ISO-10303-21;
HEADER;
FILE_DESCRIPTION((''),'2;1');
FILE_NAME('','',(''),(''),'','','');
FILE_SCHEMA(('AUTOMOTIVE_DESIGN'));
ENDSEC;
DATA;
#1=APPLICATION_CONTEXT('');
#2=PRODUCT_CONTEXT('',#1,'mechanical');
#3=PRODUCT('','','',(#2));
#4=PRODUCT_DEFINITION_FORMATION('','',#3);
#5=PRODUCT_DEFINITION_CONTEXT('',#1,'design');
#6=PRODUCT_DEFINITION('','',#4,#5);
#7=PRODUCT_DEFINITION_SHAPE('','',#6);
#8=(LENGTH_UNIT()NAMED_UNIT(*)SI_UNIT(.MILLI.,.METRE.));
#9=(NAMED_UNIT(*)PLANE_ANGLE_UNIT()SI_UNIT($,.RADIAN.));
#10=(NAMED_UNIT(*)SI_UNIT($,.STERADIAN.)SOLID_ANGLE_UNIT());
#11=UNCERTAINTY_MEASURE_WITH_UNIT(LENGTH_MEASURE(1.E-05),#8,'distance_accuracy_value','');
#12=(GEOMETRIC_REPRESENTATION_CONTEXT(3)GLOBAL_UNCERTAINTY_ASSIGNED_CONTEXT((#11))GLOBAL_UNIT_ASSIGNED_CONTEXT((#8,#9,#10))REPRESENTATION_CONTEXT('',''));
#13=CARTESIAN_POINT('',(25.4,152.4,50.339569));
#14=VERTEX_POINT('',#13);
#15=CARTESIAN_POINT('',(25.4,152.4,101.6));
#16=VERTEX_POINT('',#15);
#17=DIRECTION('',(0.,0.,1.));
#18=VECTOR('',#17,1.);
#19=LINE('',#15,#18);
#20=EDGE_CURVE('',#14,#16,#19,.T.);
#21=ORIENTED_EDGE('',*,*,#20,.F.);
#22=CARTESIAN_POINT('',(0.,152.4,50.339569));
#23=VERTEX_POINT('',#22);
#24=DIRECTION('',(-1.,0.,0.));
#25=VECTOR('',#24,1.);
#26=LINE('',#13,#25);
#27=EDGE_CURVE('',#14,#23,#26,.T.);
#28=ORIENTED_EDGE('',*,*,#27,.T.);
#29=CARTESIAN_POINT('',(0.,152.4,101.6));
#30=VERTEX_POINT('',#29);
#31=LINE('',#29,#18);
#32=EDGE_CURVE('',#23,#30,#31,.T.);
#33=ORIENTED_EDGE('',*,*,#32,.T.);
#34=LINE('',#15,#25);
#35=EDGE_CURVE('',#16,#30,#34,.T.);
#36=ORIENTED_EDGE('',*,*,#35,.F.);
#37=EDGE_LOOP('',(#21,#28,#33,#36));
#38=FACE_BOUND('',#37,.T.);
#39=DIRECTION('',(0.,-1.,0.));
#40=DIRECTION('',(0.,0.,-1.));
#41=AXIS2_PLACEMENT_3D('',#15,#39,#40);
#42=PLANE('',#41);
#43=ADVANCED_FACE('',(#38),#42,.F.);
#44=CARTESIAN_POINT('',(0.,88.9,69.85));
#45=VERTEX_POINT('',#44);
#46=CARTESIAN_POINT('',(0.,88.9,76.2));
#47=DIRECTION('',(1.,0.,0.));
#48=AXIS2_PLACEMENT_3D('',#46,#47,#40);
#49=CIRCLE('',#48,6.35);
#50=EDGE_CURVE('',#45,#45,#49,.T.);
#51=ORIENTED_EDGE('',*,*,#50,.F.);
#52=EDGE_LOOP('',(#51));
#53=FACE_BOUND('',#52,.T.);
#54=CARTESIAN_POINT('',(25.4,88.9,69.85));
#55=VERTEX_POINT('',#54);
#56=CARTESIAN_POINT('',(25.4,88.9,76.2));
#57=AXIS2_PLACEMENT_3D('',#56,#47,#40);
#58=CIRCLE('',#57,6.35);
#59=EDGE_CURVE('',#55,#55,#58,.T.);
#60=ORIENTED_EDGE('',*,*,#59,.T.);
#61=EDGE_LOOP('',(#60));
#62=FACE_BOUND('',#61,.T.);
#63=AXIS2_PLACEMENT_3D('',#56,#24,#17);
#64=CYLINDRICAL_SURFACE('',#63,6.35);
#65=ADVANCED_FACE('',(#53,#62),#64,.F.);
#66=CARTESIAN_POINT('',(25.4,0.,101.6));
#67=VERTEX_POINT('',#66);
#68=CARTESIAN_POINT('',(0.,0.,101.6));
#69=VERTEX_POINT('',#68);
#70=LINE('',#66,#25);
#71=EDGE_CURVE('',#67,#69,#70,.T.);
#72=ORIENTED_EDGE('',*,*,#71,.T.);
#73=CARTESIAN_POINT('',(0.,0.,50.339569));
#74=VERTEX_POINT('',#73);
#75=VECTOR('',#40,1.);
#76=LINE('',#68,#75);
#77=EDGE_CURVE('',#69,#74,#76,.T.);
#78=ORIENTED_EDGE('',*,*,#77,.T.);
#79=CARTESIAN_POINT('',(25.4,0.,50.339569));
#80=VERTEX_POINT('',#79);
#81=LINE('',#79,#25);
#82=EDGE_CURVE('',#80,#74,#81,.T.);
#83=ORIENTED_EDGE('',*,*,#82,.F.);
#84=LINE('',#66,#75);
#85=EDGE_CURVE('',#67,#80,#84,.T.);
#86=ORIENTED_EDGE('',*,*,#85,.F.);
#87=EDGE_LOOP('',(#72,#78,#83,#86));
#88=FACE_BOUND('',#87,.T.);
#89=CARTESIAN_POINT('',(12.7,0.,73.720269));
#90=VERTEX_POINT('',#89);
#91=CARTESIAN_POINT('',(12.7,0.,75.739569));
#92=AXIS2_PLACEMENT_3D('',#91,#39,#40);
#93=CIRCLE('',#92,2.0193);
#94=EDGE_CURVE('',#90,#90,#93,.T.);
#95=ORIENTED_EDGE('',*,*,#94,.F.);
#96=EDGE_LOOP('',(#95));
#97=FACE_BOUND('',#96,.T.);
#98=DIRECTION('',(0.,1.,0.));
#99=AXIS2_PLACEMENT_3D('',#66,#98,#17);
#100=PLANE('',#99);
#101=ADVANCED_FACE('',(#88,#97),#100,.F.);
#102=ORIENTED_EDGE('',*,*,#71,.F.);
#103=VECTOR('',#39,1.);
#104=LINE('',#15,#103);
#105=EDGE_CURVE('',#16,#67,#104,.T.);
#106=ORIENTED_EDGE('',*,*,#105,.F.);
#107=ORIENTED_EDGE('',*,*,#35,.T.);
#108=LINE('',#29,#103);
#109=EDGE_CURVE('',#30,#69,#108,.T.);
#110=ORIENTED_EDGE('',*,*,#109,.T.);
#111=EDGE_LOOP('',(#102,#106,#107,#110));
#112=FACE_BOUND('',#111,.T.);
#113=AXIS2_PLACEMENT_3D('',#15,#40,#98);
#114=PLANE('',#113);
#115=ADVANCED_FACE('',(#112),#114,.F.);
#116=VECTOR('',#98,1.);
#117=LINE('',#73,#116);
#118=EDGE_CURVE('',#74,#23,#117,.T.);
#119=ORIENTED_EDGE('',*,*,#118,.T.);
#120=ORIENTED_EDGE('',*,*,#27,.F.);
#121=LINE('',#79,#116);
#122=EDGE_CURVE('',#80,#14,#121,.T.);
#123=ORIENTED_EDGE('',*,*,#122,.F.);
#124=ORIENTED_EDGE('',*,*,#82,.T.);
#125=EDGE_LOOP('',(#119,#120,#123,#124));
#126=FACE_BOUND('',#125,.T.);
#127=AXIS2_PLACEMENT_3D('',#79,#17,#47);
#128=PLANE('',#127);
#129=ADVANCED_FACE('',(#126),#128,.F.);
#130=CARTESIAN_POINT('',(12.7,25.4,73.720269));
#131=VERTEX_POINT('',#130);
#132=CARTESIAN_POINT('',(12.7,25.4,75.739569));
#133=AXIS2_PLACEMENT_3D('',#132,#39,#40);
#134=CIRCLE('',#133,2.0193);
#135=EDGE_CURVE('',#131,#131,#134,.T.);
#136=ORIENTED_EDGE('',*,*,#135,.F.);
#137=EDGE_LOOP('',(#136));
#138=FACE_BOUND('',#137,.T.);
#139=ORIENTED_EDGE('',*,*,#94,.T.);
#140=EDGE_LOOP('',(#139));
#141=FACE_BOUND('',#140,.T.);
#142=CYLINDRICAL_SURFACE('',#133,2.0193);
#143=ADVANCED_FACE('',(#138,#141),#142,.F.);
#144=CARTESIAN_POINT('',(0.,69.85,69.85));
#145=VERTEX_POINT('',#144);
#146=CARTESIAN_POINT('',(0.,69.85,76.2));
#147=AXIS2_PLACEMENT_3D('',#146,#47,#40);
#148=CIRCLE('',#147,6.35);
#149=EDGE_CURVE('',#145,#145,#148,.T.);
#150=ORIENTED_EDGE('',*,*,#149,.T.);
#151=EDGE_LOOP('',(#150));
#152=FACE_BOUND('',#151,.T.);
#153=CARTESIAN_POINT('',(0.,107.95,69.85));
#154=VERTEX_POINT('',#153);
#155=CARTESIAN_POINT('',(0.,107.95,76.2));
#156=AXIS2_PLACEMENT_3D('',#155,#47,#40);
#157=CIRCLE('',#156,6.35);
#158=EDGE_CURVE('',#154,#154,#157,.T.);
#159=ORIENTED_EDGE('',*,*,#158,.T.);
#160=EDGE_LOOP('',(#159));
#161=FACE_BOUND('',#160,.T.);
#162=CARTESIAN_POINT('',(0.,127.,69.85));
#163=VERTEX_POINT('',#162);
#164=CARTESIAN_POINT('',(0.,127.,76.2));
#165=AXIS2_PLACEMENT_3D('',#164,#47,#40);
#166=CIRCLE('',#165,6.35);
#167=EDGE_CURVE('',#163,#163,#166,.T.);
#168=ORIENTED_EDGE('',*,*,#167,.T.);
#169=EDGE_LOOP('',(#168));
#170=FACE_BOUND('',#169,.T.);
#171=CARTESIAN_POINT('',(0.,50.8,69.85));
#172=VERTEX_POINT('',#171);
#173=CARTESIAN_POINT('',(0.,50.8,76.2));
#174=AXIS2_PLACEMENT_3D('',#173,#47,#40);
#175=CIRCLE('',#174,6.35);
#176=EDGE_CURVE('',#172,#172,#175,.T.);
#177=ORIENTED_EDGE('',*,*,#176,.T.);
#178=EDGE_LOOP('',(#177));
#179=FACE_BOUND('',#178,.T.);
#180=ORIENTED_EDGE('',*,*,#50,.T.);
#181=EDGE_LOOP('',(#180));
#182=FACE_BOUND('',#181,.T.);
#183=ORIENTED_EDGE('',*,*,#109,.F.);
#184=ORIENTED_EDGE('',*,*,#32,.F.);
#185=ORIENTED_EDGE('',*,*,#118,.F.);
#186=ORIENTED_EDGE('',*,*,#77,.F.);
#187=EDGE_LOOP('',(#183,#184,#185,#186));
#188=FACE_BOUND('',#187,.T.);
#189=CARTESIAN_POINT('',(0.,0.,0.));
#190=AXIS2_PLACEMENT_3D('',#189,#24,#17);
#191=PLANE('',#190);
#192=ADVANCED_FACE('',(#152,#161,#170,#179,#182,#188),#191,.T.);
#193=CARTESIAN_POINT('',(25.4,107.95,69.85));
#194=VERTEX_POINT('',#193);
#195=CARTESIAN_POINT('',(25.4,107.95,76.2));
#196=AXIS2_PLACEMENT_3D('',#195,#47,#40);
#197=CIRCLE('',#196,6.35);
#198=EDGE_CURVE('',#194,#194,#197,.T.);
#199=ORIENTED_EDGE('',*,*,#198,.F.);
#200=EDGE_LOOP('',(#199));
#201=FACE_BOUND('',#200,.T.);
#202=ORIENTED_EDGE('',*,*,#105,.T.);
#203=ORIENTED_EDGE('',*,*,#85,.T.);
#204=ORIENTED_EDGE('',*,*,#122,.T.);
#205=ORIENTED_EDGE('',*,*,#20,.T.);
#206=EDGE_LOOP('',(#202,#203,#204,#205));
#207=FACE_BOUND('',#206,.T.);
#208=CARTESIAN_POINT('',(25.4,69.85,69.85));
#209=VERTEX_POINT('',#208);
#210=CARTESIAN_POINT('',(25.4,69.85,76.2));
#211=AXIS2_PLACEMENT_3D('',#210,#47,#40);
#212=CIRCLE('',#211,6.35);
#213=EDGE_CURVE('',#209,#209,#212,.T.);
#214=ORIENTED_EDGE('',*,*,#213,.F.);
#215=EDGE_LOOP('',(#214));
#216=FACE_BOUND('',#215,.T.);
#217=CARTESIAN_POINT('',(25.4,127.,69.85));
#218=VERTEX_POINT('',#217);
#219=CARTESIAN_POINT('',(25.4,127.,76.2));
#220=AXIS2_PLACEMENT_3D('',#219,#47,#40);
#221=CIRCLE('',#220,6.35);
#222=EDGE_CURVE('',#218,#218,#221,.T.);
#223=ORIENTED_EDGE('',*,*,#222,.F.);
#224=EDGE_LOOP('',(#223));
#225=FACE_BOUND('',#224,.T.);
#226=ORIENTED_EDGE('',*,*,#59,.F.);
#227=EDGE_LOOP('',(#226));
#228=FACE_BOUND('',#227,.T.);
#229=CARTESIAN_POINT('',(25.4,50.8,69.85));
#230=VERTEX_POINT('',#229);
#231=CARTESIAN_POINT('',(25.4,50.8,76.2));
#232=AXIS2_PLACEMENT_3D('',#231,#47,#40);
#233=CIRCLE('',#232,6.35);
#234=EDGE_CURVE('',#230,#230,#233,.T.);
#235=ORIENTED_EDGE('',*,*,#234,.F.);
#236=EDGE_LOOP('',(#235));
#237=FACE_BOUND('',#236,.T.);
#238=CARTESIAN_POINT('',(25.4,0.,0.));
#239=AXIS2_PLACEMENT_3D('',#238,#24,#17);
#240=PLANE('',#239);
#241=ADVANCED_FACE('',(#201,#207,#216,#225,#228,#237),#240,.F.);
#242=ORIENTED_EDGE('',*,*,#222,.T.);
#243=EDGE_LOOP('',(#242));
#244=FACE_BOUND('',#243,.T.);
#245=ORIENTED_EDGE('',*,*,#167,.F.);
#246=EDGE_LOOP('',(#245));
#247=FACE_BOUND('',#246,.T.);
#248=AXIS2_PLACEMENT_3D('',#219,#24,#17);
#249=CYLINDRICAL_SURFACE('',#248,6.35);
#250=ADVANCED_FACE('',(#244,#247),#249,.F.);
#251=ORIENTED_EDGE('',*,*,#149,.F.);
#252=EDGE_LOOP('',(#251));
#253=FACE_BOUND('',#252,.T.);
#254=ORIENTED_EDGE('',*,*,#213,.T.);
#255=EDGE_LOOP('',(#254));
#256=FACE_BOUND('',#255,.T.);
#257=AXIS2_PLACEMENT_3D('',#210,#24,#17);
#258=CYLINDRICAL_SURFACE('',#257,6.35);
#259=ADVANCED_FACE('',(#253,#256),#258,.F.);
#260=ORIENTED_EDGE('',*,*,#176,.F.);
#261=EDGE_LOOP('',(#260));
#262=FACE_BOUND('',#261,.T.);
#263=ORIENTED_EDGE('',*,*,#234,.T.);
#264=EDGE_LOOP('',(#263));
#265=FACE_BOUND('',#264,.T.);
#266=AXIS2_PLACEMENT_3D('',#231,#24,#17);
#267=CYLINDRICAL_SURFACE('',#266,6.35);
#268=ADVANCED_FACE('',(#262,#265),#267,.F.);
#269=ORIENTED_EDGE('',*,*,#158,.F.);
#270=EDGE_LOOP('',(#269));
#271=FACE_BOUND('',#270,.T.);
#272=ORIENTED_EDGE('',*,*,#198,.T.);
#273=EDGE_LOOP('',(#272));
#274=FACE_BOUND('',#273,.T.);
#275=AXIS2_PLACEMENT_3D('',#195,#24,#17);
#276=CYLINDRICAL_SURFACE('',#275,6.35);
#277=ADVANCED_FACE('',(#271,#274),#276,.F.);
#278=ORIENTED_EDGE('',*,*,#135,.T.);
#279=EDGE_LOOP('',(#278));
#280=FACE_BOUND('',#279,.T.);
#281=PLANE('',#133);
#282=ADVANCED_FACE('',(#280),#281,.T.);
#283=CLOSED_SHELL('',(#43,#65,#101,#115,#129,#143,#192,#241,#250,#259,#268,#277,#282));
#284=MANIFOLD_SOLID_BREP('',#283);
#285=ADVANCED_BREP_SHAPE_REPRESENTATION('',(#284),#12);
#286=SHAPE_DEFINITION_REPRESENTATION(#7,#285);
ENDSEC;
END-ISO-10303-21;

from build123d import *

# Parameters (mm, degrees)
SKETCH1_W           = 51.260430681
SKETCH1_H           = 152.4
SKETCH1_R           = 6.35
BOSS_EXTRUDE1_DEPTH = 25.4
SKETCH6_R           = 2.0193
CUT_EXTRUDE4_DEPTH  = 25.4


with BuildPart() as part:
    # Sketch1 → Boss-Extrude1 (new body)
    with BuildSketch(Plane(origin=(0, 0, 0), x_dir=(0, 0, -1), z_dir=(1, 0, 0))):
        with Locations((-75.96978466, 76.2)):
            Rectangle(SKETCH1_W, SKETCH1_H)
        with Locations((-76.2, 50.8)):
            Circle(SKETCH1_R, mode=Mode.SUBTRACT)
        with Locations((-76.2, 69.85)):
            Circle(SKETCH1_R, mode=Mode.SUBTRACT)
        with Locations((-76.2, 88.9)):
            Circle(SKETCH1_R, mode=Mode.SUBTRACT)
        with Locations((-76.2, 107.95)):
            Circle(SKETCH1_R, mode=Mode.SUBTRACT)
        with Locations((-76.2, 127)):
            Circle(SKETCH1_R, mode=Mode.SUBTRACT)
    extrude(amount=BOSS_EXTRUDE1_DEPTH)

    # Sketch6 → Cut-Extrude4 (cut)
    with BuildSketch(Plane.XZ):
        with Locations(Location((12.7, 75.739569319, 0), (0, 0, 270))):
            Circle(SKETCH6_R)
    extrude(amount=-CUT_EXTRUDE4_DEPTH, mode=Mode.SUBTRACT)


solid = part.part
